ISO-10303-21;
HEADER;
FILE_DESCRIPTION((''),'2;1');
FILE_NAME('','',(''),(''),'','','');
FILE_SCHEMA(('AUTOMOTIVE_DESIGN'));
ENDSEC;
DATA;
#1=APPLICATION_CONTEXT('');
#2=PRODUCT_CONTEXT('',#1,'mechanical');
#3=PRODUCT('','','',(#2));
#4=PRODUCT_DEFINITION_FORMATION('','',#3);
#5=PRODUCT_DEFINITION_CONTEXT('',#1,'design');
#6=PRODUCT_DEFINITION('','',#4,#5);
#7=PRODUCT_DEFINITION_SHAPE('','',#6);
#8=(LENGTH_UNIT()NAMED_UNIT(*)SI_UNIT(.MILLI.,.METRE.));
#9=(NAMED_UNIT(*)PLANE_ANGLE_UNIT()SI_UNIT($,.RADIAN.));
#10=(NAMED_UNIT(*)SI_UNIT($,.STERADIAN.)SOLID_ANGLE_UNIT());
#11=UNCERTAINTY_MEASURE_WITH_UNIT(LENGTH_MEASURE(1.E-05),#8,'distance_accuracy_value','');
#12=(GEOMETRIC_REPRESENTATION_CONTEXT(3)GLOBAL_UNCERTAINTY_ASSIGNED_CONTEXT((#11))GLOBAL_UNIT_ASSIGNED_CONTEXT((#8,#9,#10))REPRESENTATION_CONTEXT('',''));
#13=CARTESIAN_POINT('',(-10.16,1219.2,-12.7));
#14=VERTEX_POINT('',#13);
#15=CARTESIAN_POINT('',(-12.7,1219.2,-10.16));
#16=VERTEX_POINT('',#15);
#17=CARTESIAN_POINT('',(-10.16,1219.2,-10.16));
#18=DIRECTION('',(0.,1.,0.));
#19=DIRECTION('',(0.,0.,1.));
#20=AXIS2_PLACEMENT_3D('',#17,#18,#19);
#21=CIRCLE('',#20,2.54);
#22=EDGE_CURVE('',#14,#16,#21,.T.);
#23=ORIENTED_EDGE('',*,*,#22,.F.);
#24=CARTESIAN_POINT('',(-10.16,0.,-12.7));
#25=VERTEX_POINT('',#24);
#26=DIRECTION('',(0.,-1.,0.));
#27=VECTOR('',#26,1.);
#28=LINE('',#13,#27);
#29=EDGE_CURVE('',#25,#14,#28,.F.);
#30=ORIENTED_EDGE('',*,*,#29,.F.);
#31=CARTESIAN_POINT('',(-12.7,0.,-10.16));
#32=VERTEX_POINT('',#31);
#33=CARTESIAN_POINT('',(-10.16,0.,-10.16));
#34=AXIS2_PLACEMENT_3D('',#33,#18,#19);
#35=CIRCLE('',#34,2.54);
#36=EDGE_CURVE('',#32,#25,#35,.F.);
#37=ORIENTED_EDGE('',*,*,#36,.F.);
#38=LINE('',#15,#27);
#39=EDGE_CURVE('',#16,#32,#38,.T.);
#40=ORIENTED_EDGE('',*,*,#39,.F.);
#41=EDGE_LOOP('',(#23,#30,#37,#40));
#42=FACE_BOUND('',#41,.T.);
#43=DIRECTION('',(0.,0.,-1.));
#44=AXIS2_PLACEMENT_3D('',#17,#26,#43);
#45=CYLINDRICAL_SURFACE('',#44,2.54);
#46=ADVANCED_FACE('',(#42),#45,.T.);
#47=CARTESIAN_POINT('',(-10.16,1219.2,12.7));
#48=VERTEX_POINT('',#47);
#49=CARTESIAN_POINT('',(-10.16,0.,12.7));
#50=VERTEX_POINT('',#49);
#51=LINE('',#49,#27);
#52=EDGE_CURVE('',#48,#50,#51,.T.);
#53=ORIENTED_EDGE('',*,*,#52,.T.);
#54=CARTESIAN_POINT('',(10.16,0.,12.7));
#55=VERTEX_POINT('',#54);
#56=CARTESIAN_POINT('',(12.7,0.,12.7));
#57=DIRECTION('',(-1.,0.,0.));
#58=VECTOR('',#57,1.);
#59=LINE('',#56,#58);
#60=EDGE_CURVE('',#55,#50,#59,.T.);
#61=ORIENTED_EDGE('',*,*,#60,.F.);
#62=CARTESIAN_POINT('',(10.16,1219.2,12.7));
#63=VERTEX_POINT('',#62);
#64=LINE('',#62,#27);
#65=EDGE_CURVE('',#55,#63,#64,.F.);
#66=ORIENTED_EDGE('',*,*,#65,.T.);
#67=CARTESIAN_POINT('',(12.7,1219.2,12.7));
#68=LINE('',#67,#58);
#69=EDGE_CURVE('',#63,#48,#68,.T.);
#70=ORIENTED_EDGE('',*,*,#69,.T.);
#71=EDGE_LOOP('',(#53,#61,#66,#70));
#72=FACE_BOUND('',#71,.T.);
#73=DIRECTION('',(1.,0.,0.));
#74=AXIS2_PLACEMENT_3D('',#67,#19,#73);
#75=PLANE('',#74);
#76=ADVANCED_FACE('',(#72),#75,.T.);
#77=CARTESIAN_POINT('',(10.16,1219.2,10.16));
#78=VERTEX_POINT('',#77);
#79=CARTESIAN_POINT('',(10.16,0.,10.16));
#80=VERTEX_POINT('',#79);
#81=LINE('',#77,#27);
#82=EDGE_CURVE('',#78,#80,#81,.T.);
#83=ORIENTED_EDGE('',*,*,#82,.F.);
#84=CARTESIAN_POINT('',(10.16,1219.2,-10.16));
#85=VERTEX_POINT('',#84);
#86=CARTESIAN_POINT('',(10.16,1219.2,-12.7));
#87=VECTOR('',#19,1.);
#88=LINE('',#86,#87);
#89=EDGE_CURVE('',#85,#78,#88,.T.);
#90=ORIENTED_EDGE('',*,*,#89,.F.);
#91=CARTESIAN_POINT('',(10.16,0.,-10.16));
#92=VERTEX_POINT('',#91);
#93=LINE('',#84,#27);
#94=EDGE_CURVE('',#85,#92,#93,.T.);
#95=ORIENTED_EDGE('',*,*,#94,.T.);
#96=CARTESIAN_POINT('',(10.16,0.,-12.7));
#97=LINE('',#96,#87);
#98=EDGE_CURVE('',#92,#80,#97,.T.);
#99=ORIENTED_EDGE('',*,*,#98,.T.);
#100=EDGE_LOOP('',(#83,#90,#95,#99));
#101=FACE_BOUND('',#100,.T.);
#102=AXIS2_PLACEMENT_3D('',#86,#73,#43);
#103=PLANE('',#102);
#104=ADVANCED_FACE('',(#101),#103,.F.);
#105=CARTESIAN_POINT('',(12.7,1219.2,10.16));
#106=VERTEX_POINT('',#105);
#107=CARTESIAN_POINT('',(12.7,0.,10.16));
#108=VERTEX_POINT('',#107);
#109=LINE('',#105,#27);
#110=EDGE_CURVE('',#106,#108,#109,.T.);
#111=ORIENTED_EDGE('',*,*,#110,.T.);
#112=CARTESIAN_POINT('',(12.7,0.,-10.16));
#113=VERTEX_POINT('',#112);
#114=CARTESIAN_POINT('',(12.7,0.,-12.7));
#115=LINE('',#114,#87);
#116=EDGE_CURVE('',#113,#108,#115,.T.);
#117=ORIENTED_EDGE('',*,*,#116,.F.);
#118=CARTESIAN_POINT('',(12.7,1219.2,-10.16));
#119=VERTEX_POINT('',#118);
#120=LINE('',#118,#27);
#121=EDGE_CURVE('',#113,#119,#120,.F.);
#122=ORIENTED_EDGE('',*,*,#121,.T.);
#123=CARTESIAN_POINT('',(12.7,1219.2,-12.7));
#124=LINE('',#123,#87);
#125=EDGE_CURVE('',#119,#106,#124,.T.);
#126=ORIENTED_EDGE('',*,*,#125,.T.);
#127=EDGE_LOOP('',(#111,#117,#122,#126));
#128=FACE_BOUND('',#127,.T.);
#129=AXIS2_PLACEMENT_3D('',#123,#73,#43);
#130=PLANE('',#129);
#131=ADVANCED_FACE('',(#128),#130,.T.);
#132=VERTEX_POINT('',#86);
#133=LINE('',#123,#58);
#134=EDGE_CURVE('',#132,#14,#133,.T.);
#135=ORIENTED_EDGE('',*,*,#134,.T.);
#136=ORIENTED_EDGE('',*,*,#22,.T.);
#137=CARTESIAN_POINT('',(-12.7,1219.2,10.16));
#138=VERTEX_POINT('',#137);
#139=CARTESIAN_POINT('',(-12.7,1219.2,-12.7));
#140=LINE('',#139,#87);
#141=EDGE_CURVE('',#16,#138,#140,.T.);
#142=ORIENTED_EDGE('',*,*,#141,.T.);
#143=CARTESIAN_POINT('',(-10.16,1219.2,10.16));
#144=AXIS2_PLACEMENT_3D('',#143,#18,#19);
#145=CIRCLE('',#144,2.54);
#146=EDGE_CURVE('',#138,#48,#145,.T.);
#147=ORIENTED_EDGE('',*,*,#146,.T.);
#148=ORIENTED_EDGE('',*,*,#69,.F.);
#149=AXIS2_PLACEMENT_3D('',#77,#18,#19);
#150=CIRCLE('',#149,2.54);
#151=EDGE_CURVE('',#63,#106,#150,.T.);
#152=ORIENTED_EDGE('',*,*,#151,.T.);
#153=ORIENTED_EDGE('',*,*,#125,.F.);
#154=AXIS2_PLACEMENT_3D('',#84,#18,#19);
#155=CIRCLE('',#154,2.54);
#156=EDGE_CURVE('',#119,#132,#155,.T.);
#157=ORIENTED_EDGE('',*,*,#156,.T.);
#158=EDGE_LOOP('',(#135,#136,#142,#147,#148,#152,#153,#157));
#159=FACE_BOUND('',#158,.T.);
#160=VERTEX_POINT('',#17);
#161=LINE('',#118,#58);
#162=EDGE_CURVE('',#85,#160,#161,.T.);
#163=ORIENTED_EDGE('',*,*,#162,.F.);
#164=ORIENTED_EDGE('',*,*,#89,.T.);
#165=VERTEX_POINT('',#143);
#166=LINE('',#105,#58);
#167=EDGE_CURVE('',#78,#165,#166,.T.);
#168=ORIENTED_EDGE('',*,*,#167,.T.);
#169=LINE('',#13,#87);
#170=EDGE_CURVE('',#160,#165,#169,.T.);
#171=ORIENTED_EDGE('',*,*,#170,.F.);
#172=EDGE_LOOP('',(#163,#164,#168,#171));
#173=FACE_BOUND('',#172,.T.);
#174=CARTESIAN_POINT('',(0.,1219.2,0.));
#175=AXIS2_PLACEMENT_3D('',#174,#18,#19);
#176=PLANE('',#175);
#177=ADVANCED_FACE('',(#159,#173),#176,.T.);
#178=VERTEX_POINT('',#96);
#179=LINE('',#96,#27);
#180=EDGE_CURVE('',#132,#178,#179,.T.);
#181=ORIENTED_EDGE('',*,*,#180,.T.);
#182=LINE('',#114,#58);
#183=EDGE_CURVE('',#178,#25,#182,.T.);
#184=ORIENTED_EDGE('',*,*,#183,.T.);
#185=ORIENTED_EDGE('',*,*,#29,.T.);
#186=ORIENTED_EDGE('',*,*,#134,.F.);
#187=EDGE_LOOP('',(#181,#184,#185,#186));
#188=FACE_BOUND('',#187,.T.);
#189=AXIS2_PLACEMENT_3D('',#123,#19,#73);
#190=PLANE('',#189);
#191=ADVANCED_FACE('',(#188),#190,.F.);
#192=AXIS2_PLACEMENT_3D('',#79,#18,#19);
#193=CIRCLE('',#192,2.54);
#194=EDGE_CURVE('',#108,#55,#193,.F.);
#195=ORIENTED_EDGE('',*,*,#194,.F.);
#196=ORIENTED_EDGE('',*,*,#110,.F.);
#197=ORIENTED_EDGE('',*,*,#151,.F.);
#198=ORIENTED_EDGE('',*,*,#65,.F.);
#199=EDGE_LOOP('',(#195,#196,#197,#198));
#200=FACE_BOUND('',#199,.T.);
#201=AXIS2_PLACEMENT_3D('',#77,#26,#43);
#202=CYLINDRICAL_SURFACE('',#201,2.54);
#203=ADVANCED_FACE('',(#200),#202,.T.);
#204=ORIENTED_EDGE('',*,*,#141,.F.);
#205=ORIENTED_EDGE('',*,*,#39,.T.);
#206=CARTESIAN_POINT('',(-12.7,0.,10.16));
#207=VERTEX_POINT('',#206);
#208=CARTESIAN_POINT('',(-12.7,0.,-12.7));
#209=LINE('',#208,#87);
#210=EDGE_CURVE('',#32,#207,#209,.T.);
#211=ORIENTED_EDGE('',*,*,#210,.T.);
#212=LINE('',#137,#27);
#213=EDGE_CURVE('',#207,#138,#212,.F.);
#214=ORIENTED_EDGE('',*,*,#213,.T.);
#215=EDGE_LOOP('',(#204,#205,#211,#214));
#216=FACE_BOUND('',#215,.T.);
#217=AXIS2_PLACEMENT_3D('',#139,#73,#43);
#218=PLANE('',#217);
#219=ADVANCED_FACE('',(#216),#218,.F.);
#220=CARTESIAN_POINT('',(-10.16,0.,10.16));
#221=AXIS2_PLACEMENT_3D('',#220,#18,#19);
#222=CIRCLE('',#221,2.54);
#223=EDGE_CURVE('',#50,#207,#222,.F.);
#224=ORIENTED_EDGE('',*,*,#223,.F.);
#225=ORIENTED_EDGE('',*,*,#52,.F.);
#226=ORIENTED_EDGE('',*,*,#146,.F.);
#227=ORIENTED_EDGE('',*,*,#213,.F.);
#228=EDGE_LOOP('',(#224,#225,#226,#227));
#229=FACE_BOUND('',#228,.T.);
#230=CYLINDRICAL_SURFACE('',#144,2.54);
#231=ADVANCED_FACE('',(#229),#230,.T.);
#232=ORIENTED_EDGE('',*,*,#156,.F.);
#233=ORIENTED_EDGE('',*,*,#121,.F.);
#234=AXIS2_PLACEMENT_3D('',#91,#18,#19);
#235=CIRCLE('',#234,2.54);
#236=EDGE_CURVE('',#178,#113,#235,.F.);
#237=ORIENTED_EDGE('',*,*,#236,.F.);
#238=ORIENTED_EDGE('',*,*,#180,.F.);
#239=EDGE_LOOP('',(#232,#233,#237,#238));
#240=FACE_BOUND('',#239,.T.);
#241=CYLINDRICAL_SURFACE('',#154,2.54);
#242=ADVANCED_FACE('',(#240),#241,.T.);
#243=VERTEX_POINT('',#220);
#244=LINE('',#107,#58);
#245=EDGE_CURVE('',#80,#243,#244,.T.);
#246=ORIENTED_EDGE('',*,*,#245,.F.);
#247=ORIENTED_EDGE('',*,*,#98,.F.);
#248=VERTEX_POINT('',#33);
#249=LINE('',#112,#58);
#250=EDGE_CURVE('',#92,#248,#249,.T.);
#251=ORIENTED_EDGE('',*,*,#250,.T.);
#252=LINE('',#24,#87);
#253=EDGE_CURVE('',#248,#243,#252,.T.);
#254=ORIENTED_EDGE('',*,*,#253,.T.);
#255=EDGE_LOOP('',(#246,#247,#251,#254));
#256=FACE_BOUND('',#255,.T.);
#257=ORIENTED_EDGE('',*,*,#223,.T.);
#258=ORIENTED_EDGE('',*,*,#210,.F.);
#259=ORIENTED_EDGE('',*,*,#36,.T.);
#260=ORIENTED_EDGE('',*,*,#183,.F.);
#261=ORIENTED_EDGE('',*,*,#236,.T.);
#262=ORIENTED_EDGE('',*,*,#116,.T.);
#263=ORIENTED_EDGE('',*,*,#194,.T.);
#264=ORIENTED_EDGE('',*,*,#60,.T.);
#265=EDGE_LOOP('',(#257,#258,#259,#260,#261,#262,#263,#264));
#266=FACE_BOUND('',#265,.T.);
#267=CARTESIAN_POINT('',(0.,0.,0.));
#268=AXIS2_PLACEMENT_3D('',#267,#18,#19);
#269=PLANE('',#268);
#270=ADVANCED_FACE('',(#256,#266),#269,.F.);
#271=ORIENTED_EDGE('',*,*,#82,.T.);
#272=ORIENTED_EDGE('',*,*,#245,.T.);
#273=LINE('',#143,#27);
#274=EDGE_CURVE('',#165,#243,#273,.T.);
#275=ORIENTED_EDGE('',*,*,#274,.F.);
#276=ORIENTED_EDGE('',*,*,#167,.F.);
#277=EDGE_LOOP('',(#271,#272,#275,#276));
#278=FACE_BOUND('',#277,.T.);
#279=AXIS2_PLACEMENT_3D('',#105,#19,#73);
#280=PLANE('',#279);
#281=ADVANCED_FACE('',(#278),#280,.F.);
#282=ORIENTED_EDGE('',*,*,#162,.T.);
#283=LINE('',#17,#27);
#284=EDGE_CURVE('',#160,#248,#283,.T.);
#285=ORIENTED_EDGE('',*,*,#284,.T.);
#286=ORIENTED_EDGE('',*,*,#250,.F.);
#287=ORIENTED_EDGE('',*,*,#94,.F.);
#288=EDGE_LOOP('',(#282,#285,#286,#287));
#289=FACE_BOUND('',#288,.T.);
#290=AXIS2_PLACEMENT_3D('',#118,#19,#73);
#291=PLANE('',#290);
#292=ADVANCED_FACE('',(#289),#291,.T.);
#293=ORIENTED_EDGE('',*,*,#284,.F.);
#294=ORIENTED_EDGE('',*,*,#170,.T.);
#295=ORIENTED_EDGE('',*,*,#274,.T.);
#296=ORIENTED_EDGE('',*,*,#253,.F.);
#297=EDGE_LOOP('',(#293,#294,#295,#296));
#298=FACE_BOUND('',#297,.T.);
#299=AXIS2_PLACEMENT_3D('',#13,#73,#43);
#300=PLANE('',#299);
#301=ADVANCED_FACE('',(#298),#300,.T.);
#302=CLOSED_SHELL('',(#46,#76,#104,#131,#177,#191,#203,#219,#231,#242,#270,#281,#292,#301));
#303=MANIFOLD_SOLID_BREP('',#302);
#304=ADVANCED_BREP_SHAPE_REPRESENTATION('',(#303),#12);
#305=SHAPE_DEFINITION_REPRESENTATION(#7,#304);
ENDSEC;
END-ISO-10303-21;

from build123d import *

# Parameters (mm, degrees)
SKETCH4_W           = 25.4
SKETCH4_H           = 25.4
BOSS_EXTRUDE6_DEPTH = 1219.2
SHELL1_T            = -2.54
FILLET1_R           = 2.54


with BuildPart() as part:
    # Sketch4 → Boss-Extrude6 (new body)
    with BuildSketch(Plane(origin=(0, 0, 0), x_dir=(1, 0, 0), z_dir=(0, 1, 0))):
        Rectangle(SKETCH4_W, SKETCH4_H)
    extrude(amount=BOSS_EXTRUDE6_DEPTH)

    # Shell1
    shell1_openings = [part.faces().sort_by_distance(p)[0] for p in [
        (0, 1219.2, 0),
        (0, 0, 0),
    ]]
    offset(amount=SHELL1_T, openings=shell1_openings, kind=Kind.INTERSECTION)

    # Fillet1
    fillet1_edges = [part.edges().sort_by_distance(p)[0] for p in [
        (12.7, 609.6, -12.7),
        (12.7, 609.6, 12.7),
        (-12.7, 609.6, 12.7),
        (-12.7, 609.6, -12.7),
    ]]
    fillet(fillet1_edges, radius=FILLET1_R)


solid = part.part
